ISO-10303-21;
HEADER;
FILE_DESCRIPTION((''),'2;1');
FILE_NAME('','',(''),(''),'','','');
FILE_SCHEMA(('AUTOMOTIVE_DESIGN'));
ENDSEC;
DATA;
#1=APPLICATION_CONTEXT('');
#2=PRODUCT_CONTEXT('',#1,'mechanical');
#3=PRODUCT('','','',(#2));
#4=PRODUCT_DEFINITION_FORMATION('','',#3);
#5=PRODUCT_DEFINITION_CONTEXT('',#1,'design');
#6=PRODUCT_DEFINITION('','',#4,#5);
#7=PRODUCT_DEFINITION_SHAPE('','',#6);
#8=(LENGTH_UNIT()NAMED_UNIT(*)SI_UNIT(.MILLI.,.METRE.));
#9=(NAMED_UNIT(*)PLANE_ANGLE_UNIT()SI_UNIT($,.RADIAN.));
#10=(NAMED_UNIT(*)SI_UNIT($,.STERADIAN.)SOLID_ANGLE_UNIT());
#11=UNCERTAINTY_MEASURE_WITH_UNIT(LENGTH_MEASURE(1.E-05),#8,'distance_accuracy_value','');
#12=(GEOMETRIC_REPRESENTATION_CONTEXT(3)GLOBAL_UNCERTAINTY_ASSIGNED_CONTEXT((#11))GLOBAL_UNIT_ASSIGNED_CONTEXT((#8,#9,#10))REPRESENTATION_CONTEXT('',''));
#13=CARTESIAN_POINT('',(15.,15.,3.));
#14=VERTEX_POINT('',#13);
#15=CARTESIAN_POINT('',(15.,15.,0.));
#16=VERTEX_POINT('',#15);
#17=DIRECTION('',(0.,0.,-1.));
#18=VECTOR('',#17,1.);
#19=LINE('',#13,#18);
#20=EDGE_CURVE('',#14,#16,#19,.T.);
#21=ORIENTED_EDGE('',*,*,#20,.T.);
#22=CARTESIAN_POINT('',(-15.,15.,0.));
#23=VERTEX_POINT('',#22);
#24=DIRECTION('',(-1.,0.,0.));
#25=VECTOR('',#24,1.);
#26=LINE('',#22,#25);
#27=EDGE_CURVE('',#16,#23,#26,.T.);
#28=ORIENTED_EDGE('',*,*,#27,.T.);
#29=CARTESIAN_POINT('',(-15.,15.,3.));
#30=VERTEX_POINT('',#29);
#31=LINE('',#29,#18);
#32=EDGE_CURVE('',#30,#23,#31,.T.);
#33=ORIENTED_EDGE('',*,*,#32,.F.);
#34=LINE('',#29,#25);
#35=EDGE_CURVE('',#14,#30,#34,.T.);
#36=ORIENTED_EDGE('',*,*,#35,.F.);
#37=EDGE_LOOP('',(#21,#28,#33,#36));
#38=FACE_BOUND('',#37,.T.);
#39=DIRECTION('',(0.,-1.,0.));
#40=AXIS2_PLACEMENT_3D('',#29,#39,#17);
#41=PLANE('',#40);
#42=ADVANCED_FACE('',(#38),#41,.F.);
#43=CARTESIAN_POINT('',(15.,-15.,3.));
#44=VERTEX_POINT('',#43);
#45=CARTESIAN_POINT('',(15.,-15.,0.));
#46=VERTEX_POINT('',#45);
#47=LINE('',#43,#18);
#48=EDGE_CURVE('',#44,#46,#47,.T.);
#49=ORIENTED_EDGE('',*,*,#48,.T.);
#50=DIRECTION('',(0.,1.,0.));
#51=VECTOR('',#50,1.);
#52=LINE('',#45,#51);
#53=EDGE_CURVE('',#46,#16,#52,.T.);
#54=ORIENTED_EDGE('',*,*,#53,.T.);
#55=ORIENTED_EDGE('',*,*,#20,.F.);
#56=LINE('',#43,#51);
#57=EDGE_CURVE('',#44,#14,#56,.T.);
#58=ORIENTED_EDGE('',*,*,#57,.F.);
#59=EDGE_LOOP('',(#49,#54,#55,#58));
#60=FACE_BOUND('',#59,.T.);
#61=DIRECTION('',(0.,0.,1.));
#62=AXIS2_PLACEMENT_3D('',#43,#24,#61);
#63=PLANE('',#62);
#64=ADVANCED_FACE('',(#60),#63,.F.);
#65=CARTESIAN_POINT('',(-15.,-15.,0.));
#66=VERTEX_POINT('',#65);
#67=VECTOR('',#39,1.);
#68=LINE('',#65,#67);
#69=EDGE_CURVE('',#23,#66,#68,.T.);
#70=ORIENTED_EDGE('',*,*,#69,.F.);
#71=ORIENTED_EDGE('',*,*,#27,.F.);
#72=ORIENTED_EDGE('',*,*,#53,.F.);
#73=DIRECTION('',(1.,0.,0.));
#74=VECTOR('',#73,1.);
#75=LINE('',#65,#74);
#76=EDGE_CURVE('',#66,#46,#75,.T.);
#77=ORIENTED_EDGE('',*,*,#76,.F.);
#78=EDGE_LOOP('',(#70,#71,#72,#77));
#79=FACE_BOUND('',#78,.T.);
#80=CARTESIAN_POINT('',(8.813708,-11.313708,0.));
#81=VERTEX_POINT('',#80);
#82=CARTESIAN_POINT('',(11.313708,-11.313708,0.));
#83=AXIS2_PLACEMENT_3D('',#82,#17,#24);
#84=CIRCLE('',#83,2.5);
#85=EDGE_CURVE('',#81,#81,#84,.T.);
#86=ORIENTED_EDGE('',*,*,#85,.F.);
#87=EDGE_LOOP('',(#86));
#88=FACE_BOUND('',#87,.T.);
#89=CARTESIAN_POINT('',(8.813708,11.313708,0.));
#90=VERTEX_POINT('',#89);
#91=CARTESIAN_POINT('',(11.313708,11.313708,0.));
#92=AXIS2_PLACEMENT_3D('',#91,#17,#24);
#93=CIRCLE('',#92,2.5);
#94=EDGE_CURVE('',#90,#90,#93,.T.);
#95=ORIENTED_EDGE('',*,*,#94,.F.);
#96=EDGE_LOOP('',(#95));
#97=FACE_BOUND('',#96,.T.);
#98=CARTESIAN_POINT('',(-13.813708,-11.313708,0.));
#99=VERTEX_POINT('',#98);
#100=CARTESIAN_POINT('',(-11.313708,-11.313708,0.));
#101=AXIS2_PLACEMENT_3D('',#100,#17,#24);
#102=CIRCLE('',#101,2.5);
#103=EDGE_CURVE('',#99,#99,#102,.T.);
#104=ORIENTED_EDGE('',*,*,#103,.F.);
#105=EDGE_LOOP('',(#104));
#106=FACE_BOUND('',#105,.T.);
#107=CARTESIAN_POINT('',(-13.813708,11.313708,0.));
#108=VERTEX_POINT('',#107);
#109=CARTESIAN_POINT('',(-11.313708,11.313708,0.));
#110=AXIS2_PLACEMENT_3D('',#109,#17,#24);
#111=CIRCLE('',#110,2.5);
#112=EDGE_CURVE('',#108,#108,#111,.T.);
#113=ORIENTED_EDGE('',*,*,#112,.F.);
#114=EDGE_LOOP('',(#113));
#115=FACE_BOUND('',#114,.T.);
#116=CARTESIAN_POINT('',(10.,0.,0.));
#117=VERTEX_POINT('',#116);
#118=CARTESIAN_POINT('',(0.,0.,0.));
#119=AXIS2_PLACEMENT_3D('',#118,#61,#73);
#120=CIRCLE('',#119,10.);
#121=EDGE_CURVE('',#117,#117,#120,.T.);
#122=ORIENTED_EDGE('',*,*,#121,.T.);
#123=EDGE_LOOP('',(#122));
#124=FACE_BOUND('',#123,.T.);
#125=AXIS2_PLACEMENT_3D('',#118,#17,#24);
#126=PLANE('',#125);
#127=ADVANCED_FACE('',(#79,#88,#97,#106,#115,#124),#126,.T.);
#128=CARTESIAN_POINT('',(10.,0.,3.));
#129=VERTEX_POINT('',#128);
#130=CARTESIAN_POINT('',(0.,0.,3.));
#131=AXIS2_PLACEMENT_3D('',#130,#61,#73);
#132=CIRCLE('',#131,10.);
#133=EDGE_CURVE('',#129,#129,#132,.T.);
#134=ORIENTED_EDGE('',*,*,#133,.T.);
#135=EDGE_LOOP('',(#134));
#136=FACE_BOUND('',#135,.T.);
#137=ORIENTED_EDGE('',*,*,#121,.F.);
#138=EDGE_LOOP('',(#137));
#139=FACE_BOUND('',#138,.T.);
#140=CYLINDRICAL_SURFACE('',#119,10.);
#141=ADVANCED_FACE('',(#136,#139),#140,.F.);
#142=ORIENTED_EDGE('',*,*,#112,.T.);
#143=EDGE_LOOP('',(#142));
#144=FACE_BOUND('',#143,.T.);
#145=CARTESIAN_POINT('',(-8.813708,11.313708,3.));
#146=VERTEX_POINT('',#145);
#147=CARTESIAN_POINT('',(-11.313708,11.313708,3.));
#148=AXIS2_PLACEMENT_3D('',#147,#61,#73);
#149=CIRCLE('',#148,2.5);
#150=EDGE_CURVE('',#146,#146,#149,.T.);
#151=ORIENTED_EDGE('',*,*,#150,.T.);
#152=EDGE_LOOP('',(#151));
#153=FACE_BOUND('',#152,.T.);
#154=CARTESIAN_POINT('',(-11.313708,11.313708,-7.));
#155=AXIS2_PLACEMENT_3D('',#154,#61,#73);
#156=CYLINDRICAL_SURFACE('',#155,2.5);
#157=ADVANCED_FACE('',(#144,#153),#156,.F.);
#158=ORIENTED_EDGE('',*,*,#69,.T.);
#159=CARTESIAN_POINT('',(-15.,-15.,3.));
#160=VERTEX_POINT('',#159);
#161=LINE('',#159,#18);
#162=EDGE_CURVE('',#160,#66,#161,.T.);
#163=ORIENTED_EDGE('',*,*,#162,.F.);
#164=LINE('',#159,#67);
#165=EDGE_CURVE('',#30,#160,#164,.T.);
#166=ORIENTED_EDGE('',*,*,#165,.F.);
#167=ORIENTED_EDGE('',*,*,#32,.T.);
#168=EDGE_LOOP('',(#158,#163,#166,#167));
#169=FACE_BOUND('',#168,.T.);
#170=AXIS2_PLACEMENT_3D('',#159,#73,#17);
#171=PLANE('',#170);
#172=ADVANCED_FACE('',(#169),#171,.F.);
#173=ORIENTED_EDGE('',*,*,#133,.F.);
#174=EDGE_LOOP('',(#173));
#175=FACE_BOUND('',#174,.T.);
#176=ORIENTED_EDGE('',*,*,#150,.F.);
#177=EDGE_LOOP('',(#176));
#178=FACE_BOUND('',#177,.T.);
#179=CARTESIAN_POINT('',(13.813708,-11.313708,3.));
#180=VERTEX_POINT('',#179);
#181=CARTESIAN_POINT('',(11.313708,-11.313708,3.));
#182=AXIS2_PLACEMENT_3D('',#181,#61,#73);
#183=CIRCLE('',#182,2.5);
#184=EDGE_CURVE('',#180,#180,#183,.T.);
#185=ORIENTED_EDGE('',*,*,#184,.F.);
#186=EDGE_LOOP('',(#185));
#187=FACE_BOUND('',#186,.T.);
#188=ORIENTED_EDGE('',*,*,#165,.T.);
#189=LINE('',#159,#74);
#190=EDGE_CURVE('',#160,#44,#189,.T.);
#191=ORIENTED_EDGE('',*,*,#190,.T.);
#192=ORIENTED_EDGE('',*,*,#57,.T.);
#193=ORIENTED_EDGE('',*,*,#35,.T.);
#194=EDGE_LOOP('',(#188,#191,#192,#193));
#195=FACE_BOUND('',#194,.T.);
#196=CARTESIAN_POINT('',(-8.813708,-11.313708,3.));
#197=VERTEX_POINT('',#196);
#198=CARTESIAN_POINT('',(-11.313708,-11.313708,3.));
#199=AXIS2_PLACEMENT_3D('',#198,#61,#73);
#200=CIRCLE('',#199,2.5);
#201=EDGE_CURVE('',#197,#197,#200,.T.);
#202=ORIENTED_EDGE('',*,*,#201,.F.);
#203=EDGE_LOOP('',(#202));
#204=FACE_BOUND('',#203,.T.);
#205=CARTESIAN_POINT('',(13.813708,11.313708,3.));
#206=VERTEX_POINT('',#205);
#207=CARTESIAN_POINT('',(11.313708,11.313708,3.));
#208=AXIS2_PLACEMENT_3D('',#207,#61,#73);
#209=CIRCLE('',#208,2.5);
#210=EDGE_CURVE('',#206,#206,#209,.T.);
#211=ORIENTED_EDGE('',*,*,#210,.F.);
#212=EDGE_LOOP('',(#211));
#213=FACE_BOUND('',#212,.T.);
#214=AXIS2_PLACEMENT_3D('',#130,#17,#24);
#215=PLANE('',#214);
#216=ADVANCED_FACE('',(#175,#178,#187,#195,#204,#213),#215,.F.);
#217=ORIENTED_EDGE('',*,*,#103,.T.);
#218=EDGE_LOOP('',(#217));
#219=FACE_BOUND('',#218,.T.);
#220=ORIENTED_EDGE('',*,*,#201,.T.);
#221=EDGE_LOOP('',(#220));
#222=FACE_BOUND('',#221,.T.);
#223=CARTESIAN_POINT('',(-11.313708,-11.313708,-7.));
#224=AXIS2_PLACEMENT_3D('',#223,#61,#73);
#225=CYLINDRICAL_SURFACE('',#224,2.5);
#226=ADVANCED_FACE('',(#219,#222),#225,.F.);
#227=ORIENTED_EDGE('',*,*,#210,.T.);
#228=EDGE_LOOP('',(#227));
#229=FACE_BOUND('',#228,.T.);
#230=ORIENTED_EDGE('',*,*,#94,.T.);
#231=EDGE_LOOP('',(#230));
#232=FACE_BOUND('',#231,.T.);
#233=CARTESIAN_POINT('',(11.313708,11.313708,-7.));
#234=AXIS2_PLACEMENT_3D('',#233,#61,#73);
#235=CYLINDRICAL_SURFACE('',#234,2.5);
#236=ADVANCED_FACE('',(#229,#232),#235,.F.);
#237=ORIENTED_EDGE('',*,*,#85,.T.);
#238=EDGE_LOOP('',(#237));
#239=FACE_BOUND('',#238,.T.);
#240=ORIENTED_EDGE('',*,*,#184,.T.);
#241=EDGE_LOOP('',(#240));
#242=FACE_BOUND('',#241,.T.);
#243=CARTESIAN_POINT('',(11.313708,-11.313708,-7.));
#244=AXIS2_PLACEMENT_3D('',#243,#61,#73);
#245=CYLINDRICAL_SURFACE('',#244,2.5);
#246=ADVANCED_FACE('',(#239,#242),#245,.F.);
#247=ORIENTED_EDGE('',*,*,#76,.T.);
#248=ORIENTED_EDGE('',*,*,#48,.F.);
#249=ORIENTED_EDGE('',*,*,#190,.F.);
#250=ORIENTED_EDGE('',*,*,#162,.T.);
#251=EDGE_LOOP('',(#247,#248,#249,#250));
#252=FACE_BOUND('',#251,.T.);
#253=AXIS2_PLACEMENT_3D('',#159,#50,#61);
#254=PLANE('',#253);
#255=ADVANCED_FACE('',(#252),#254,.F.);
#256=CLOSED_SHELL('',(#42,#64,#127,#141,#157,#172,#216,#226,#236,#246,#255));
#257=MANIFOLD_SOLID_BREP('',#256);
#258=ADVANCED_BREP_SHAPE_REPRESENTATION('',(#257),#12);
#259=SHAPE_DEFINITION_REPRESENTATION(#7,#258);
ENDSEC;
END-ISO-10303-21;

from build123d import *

# Parameters (mm, degrees)
SKETCH1_W           = 30
SKETCH1_H           = 30
BOSS_EXTRUDE1_DEPTH = 3
SKETCH2_R           = 10
CUT_EXTRUDE1_DEPTH  = 3
SKETCH3_R           = 2.5
CUT_EXTRUDE2_DEPTH  = 10


with BuildPart() as part:
    # Sketch1 → Boss-Extrude1 (new body)
    with BuildSketch(Plane.XY):
        Rectangle(SKETCH1_W, SKETCH1_H)
    extrude(amount=BOSS_EXTRUDE1_DEPTH)

    # Sketch2 → Cut-Extrude1 (cut)
    with BuildSketch(Plane.XY.offset(3)):
        Circle(SKETCH2_R)
    extrude(amount=-CUT_EXTRUDE1_DEPTH, mode=Mode.SUBTRACT)

    # Sketch3 → Cut-Extrude2 (cut)
    with BuildSketch(Plane.XY.offset(3)):
        with Locations((-11.313708499, 11.313708499)):
            Circle(SKETCH3_R)
        with Locations((11.313708499, 11.313708499)):
            Circle(SKETCH3_R)
        with Locations((11.313708499, -11.313708499)):
            Circle(SKETCH3_R)
        with Locations((-11.313708499, -11.313708499)):
            Circle(SKETCH3_R)
    extrude(amount=-CUT_EXTRUDE2_DEPTH, mode=Mode.SUBTRACT)


solid = part.part
